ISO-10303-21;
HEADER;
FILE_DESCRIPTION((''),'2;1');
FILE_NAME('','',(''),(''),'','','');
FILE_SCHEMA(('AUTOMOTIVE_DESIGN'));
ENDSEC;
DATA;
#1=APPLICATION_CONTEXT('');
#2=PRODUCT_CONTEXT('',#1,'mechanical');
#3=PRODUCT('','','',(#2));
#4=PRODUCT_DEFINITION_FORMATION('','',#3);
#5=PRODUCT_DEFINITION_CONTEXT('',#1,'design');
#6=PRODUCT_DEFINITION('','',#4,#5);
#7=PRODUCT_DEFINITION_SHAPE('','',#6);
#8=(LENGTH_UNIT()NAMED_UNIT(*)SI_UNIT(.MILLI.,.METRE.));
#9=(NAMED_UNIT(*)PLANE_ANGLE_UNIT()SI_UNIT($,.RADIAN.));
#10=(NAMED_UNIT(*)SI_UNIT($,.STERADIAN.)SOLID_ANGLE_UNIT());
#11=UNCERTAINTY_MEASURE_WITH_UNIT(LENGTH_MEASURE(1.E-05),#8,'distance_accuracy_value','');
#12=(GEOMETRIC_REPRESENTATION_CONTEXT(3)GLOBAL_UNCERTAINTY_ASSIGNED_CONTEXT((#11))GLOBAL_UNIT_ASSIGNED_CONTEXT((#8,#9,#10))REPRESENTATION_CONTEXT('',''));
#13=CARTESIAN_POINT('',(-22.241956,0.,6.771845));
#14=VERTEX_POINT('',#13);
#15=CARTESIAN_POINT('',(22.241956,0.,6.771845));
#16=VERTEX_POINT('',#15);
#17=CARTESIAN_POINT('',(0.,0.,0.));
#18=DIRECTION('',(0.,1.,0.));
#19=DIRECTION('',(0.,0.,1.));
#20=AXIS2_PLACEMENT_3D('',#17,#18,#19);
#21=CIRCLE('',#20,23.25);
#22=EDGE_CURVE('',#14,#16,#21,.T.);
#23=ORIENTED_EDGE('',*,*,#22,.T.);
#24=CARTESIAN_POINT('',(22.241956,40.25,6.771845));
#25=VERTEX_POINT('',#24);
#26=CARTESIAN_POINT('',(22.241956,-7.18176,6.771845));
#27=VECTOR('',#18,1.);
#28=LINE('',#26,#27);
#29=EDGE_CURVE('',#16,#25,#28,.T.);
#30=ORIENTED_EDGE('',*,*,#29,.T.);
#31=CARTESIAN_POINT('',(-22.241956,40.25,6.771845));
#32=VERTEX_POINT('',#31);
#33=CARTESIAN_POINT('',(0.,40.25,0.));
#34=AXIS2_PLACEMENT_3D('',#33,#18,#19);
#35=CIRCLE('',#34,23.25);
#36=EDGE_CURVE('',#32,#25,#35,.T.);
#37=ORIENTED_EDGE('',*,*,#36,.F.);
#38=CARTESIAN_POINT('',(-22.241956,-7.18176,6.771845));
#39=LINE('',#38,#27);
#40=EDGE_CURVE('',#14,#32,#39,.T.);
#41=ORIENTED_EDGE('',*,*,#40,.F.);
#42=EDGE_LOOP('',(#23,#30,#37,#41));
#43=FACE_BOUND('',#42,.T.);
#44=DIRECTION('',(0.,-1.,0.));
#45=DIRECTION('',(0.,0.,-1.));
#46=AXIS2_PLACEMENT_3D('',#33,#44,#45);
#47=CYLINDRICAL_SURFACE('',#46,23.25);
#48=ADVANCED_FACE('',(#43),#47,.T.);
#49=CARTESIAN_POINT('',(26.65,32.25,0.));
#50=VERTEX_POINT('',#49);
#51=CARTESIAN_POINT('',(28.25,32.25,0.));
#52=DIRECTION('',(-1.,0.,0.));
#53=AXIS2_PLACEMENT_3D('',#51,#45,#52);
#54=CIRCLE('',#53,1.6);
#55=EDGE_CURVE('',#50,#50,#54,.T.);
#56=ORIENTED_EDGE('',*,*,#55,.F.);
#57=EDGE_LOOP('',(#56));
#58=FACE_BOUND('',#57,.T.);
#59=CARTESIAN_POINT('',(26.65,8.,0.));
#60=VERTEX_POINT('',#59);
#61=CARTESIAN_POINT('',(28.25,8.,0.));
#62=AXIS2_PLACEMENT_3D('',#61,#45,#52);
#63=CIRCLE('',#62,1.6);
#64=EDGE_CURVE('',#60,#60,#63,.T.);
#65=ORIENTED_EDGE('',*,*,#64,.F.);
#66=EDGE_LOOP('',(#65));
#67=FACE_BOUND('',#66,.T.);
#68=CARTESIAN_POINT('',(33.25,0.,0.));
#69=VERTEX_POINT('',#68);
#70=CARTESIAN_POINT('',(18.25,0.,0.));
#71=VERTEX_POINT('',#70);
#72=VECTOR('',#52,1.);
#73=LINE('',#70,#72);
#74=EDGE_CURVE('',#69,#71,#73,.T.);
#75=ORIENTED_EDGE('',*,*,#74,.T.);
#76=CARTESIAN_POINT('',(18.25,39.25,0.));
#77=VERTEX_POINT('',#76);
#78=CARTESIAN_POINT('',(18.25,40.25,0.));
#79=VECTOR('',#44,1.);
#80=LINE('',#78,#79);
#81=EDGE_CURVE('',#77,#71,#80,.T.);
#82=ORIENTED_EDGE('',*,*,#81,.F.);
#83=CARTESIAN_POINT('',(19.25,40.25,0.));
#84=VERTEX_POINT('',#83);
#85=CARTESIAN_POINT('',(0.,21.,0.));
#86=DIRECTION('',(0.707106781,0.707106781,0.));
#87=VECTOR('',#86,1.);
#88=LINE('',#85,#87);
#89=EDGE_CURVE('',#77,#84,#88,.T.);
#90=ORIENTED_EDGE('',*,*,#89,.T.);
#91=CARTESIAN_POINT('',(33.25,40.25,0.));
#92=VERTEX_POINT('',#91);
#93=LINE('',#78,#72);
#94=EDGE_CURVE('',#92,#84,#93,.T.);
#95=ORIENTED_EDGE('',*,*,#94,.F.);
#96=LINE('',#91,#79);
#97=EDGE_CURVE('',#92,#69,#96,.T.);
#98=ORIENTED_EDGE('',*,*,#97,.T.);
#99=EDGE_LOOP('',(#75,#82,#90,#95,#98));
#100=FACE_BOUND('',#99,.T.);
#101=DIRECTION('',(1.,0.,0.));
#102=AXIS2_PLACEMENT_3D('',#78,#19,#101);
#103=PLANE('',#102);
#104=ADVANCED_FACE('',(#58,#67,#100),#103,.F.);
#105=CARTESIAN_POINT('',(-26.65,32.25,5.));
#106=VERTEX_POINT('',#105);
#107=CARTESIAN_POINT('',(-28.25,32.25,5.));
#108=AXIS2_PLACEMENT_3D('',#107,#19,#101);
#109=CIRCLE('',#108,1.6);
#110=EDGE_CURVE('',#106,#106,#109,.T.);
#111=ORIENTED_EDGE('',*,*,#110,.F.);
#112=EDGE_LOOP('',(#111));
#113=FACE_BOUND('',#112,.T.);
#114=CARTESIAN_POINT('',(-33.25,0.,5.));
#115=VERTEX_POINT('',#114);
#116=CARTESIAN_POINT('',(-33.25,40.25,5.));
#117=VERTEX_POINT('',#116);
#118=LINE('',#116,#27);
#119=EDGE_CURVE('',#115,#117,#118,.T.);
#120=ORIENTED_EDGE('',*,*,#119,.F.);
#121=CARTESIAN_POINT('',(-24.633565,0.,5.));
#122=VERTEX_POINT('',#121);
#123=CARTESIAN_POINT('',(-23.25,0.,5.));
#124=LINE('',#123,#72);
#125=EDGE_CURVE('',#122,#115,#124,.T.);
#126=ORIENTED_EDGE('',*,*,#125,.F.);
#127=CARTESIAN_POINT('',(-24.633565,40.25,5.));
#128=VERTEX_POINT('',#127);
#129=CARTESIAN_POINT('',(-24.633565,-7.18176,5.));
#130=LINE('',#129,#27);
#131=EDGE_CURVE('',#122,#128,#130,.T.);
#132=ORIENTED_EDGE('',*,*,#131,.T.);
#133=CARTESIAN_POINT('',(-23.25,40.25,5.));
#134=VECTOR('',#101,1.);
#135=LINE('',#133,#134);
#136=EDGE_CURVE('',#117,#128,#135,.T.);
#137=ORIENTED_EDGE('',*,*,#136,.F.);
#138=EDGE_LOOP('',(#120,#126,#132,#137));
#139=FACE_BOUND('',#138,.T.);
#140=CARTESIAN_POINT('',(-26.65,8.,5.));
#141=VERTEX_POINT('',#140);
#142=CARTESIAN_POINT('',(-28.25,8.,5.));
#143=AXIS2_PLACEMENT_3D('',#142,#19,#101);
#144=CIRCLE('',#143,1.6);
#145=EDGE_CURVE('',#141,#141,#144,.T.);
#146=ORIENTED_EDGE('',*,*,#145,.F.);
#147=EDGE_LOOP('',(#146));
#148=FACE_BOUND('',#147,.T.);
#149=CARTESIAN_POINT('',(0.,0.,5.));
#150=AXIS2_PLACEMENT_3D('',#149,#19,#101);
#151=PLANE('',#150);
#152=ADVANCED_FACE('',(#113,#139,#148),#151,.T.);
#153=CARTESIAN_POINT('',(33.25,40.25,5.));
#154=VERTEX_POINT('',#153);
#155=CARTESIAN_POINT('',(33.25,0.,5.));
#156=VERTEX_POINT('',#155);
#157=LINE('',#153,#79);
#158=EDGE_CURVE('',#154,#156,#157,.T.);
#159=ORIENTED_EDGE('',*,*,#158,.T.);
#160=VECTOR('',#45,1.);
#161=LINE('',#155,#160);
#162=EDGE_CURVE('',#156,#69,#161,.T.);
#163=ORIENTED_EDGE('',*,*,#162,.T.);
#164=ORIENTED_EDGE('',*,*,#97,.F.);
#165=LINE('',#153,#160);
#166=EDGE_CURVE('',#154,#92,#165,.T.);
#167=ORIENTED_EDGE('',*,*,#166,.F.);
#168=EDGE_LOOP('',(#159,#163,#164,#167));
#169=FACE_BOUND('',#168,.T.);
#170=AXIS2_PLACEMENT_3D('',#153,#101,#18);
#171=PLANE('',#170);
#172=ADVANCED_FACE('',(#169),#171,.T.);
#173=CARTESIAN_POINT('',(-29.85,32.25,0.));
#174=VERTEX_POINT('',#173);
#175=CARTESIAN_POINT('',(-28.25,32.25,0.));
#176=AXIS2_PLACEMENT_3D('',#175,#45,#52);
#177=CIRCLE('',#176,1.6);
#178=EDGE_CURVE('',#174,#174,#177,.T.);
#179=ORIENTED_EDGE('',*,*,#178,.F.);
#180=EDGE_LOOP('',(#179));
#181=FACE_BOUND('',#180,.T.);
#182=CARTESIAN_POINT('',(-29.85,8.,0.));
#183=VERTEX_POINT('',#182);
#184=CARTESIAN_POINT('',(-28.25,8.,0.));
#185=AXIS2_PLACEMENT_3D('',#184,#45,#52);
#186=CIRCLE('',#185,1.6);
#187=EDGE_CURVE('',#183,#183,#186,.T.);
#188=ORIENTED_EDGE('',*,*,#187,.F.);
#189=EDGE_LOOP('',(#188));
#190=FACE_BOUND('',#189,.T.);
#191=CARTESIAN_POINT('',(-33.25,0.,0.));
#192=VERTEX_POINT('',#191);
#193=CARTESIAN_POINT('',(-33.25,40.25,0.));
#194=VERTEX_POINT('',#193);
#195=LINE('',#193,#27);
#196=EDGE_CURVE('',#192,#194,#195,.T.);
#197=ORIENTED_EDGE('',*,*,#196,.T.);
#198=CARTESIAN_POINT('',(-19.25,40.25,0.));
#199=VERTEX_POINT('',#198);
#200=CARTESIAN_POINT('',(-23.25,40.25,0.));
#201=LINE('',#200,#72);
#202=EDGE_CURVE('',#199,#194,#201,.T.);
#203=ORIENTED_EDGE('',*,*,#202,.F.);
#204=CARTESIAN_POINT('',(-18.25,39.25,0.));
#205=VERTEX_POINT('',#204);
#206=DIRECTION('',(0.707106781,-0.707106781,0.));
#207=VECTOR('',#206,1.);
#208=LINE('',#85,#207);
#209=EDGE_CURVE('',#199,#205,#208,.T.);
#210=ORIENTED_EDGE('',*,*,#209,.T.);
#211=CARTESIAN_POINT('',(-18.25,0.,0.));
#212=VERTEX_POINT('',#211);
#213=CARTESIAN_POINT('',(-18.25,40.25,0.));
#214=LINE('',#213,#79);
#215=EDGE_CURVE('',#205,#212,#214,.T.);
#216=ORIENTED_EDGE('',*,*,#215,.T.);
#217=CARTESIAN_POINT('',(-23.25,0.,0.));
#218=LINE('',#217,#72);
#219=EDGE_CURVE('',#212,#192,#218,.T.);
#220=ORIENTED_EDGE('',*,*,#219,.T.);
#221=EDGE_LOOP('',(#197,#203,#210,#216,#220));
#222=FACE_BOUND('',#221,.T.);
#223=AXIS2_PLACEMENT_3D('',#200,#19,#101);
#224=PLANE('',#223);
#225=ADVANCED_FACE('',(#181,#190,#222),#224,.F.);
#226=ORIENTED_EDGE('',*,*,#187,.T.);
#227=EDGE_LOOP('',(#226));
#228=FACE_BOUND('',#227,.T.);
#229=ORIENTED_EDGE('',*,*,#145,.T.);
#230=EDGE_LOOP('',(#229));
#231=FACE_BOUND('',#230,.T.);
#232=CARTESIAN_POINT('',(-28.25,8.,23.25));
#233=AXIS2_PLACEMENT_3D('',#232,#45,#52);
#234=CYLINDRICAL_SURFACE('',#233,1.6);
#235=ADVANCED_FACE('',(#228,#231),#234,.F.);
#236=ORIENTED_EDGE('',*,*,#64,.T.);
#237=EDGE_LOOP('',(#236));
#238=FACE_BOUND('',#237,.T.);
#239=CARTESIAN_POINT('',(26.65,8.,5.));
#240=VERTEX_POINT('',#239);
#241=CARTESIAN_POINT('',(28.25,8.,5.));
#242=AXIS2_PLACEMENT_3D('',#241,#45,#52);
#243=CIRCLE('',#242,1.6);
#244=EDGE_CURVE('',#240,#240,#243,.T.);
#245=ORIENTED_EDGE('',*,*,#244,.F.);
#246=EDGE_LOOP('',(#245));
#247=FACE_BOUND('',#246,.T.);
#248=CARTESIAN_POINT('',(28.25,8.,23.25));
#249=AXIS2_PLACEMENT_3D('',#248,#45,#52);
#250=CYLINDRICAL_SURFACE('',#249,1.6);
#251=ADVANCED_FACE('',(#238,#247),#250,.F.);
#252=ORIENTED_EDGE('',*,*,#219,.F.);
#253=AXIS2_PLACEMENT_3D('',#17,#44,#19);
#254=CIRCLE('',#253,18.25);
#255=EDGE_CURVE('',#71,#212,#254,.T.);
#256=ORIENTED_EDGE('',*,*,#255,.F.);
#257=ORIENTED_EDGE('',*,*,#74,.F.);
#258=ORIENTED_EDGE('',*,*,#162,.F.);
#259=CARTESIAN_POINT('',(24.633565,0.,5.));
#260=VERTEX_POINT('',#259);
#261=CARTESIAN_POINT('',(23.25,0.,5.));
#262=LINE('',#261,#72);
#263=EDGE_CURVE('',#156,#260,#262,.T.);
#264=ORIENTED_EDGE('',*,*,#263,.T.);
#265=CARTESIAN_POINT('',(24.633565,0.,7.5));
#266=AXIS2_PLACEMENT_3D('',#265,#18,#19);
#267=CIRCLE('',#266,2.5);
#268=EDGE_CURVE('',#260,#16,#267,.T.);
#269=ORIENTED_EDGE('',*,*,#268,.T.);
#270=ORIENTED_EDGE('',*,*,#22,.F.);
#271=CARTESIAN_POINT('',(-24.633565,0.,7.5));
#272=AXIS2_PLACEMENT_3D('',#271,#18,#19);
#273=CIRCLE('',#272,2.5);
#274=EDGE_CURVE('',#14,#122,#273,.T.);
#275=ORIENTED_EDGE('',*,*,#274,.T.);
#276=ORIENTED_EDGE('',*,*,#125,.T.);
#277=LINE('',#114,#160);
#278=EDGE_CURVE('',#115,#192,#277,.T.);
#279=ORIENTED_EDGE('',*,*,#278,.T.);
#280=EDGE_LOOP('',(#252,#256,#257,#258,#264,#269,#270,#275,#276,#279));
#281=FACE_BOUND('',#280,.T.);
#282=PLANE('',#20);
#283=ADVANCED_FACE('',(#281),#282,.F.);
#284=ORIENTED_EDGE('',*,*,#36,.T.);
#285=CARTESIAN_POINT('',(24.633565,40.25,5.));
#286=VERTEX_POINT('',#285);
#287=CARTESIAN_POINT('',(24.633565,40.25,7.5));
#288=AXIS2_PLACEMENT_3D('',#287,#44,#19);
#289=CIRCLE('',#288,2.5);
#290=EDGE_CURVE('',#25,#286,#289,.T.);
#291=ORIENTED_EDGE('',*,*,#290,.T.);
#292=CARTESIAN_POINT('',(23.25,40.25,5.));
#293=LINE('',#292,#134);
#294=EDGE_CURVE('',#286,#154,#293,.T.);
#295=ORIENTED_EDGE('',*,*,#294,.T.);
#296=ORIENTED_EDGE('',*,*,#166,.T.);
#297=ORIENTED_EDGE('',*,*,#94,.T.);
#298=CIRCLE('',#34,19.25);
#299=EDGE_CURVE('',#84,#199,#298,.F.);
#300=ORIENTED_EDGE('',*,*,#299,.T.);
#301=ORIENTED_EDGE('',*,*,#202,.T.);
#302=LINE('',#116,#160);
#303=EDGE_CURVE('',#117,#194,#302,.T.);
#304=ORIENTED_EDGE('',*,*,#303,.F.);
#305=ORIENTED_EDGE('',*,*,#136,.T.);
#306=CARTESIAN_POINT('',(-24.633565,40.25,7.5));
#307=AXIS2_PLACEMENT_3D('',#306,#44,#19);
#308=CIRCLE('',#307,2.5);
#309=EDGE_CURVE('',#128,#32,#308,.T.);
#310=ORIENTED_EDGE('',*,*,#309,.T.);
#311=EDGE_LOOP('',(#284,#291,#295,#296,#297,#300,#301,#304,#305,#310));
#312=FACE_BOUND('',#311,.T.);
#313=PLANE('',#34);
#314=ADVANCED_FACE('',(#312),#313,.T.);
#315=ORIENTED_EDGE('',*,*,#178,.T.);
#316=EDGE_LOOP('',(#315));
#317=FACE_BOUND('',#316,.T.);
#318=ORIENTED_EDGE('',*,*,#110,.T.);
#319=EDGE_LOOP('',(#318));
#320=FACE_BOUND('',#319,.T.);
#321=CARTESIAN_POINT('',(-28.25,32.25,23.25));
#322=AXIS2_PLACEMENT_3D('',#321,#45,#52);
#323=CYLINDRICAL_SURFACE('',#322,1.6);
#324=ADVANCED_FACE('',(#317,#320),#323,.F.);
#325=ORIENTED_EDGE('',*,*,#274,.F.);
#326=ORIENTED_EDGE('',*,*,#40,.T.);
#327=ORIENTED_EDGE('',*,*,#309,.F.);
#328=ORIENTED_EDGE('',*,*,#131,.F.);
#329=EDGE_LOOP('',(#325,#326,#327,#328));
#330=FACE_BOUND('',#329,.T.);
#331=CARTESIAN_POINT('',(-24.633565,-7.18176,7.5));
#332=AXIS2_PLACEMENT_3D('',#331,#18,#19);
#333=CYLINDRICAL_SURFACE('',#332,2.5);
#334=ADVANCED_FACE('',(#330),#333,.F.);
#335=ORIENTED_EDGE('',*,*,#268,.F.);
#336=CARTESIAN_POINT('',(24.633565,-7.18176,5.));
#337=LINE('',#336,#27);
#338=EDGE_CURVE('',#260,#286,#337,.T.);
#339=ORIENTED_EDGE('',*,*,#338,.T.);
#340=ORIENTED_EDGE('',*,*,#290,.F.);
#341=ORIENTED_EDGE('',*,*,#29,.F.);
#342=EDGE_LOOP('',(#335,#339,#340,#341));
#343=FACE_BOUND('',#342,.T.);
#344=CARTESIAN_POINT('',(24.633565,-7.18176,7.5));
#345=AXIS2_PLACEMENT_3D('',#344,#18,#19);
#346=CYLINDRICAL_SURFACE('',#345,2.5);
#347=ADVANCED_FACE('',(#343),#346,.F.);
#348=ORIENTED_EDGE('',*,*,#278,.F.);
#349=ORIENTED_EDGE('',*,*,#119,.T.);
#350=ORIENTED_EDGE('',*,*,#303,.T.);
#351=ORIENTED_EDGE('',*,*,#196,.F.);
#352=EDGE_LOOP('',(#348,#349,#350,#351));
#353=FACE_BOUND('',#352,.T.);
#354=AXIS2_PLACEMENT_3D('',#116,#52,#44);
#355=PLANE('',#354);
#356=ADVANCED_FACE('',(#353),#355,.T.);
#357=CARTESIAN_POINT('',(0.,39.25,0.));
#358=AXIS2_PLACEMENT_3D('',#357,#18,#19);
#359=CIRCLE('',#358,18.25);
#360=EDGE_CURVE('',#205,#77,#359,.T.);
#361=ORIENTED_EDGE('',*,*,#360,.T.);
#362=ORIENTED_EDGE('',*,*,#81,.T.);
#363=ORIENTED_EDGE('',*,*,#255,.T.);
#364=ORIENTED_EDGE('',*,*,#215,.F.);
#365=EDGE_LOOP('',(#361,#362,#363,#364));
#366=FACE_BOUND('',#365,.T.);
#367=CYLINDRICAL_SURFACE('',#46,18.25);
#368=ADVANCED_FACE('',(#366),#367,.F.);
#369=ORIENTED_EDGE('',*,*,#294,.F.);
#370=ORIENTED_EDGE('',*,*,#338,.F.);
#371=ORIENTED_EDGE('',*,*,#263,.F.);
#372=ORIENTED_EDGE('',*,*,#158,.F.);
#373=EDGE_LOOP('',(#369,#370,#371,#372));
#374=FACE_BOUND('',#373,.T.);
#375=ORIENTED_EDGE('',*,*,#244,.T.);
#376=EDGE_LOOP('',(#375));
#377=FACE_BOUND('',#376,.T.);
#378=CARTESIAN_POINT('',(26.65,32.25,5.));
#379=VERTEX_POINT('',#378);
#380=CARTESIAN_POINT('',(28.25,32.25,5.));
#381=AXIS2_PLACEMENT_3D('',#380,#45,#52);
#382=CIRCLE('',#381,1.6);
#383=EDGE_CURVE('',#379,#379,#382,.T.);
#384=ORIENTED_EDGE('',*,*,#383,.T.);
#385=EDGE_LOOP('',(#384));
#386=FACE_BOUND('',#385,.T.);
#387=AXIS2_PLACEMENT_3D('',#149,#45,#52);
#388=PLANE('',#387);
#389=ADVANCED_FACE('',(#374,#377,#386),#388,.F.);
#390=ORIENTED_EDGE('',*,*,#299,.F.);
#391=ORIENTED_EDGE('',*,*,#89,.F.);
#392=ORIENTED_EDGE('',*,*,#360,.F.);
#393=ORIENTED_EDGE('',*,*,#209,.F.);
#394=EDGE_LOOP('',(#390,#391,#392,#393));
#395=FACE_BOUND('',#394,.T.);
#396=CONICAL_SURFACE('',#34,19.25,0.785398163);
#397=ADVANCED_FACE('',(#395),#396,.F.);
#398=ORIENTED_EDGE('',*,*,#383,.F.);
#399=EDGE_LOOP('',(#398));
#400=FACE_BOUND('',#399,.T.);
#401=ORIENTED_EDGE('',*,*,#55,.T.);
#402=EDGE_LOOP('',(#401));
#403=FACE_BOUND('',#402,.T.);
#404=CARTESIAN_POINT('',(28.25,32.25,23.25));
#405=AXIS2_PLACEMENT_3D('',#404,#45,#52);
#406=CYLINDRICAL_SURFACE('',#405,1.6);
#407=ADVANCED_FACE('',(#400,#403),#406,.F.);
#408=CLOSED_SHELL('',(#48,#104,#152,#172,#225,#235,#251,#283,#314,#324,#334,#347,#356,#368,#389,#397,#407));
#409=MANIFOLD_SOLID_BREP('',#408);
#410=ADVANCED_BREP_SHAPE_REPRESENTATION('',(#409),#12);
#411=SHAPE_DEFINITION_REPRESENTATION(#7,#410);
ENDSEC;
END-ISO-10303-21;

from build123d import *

# Parameters (mm, degrees)
EXTRUDE_1_DEPTH     = 40.25
SKETCH_2_W          = 10
SKETCH_2_H          = 40.25
EXTRUDE_2_DEPTH     = 5
EXTRUDE_2_2_DEPTH   = 5
EXTRUDE_3_DEPTH     = 40.25
CHAMFER_1_SIZE      = 1
SKETCH_4_R          = 1.6
CUT_EXTRUDE_1_DEPTH = 24.25


with BuildPart() as part:
    # Эскиз1 → Бобышка-Вытянуть1 (new body)
    with BuildSketch(Plane(origin=(0, 0, 0), x_dir=(1, 0, 0), z_dir=(0, 1, 0))):
        with BuildLine():
            Line((-23.25, 0), (-18.25, 0))
            ThreePointArc((-18.25, 0), (0, -18.25), (18.25, 0))
            Line((18.25, 0), (23.25, 0))
            ThreePointArc((23.25, 0), (0, -23.25), (-23.25, 0))
        make_face()
    extrude(amount=EXTRUDE_1_DEPTH)



with BuildPart() as body_2:
    # Эскиз2 → Бобышка-Вытянуть2 (new body)
    with BuildSketch(Plane(origin=(0, 0, 0), x_dir=(-1, 0, 0), z_dir=(0, 0, -1))):
        with Locations((-28.25, 20.125)):
            Rectangle(SKETCH_2_W, SKETCH_2_H)
    extrude(amount=-EXTRUDE_2_DEPTH)


with BuildPart() as body_3:
    # Эскиз2 → Extrude 2 2 (new body)
    with BuildSketch(Plane(origin=(0, 0, 0), x_dir=(-1, 0, 0), z_dir=(0, 0, -1))):
        with Locations((28.25, 20.125)):
            Rectangle(SKETCH_2_W, SKETCH_2_H)
    extrude(amount=-EXTRUDE_2_2_DEPTH)


with BuildPart() as part_1:
    add(part.part)

    add(body_2.part)  # Бобышка-Вытянуть3 merges body 2

    add(body_3.part)  # Бобышка-Вытянуть3 merges body 3
    # Эскиз3 → Бобышка-Вытянуть3 (add)
    with BuildSketch(Plane(origin=(0, 40.25, 0), x_dir=(1, 0, 0), z_dir=(0, 1, 0))):
        with BuildLine():
            Line((23.25, -5), (23.25, 0))
            ThreePointArc((23.25, 0), (22.996608271, -3.423230646), (22.241956297, -6.77184466))
            ThreePointArc((22.241956297, -6.77184466), (23.14534213, -5.491220725), (24.6335645, -5))
            Line((24.6335645, -5), (23.25, -5))
        make_face()
        with BuildLine():
            Line((-23.25, -5), (-23.25, 0))
            ThreePointArc((-23.25, 0), (-22.996608271, -3.423230646), (-22.241956297, -6.77184466))
            ThreePointArc((-22.241956297, -6.77184466), (-23.14534213, -5.491220725), (-24.6335645, -5))
            Line((-24.6335645, -5), (-23.25, -5))
        make_face()
    extrude(amount=-EXTRUDE_3_DEPTH)

    # Фаска1
    chamfer_1_edges = [part_1.edges().sort_by_distance(p)[0] for p in [
        (0, 40.25, 18.25),
    ]]
    chamfer(chamfer_1_edges, length=CHAMFER_1_SIZE)

    # Эскиз4 → Вырез-Вытянуть1 (cut, through all)
    with BuildSketch(Plane(origin=(0, 0, 0), x_dir=(-1, 0, 0), z_dir=(0, 0, -1))):
        with Locations((28.25, 32.25)):
            Circle(SKETCH_4_R)
        with Locations((28.25, 8)):
            Circle(SKETCH_4_R)
        with Locations((-28.25, 32.25)):
            Circle(SKETCH_4_R)
        with Locations((-28.25, 8)):
            Circle(SKETCH_4_R)
    extrude(amount=-CUT_EXTRUDE_1_DEPTH, mode=Mode.SUBTRACT)


solid = part_1.part
